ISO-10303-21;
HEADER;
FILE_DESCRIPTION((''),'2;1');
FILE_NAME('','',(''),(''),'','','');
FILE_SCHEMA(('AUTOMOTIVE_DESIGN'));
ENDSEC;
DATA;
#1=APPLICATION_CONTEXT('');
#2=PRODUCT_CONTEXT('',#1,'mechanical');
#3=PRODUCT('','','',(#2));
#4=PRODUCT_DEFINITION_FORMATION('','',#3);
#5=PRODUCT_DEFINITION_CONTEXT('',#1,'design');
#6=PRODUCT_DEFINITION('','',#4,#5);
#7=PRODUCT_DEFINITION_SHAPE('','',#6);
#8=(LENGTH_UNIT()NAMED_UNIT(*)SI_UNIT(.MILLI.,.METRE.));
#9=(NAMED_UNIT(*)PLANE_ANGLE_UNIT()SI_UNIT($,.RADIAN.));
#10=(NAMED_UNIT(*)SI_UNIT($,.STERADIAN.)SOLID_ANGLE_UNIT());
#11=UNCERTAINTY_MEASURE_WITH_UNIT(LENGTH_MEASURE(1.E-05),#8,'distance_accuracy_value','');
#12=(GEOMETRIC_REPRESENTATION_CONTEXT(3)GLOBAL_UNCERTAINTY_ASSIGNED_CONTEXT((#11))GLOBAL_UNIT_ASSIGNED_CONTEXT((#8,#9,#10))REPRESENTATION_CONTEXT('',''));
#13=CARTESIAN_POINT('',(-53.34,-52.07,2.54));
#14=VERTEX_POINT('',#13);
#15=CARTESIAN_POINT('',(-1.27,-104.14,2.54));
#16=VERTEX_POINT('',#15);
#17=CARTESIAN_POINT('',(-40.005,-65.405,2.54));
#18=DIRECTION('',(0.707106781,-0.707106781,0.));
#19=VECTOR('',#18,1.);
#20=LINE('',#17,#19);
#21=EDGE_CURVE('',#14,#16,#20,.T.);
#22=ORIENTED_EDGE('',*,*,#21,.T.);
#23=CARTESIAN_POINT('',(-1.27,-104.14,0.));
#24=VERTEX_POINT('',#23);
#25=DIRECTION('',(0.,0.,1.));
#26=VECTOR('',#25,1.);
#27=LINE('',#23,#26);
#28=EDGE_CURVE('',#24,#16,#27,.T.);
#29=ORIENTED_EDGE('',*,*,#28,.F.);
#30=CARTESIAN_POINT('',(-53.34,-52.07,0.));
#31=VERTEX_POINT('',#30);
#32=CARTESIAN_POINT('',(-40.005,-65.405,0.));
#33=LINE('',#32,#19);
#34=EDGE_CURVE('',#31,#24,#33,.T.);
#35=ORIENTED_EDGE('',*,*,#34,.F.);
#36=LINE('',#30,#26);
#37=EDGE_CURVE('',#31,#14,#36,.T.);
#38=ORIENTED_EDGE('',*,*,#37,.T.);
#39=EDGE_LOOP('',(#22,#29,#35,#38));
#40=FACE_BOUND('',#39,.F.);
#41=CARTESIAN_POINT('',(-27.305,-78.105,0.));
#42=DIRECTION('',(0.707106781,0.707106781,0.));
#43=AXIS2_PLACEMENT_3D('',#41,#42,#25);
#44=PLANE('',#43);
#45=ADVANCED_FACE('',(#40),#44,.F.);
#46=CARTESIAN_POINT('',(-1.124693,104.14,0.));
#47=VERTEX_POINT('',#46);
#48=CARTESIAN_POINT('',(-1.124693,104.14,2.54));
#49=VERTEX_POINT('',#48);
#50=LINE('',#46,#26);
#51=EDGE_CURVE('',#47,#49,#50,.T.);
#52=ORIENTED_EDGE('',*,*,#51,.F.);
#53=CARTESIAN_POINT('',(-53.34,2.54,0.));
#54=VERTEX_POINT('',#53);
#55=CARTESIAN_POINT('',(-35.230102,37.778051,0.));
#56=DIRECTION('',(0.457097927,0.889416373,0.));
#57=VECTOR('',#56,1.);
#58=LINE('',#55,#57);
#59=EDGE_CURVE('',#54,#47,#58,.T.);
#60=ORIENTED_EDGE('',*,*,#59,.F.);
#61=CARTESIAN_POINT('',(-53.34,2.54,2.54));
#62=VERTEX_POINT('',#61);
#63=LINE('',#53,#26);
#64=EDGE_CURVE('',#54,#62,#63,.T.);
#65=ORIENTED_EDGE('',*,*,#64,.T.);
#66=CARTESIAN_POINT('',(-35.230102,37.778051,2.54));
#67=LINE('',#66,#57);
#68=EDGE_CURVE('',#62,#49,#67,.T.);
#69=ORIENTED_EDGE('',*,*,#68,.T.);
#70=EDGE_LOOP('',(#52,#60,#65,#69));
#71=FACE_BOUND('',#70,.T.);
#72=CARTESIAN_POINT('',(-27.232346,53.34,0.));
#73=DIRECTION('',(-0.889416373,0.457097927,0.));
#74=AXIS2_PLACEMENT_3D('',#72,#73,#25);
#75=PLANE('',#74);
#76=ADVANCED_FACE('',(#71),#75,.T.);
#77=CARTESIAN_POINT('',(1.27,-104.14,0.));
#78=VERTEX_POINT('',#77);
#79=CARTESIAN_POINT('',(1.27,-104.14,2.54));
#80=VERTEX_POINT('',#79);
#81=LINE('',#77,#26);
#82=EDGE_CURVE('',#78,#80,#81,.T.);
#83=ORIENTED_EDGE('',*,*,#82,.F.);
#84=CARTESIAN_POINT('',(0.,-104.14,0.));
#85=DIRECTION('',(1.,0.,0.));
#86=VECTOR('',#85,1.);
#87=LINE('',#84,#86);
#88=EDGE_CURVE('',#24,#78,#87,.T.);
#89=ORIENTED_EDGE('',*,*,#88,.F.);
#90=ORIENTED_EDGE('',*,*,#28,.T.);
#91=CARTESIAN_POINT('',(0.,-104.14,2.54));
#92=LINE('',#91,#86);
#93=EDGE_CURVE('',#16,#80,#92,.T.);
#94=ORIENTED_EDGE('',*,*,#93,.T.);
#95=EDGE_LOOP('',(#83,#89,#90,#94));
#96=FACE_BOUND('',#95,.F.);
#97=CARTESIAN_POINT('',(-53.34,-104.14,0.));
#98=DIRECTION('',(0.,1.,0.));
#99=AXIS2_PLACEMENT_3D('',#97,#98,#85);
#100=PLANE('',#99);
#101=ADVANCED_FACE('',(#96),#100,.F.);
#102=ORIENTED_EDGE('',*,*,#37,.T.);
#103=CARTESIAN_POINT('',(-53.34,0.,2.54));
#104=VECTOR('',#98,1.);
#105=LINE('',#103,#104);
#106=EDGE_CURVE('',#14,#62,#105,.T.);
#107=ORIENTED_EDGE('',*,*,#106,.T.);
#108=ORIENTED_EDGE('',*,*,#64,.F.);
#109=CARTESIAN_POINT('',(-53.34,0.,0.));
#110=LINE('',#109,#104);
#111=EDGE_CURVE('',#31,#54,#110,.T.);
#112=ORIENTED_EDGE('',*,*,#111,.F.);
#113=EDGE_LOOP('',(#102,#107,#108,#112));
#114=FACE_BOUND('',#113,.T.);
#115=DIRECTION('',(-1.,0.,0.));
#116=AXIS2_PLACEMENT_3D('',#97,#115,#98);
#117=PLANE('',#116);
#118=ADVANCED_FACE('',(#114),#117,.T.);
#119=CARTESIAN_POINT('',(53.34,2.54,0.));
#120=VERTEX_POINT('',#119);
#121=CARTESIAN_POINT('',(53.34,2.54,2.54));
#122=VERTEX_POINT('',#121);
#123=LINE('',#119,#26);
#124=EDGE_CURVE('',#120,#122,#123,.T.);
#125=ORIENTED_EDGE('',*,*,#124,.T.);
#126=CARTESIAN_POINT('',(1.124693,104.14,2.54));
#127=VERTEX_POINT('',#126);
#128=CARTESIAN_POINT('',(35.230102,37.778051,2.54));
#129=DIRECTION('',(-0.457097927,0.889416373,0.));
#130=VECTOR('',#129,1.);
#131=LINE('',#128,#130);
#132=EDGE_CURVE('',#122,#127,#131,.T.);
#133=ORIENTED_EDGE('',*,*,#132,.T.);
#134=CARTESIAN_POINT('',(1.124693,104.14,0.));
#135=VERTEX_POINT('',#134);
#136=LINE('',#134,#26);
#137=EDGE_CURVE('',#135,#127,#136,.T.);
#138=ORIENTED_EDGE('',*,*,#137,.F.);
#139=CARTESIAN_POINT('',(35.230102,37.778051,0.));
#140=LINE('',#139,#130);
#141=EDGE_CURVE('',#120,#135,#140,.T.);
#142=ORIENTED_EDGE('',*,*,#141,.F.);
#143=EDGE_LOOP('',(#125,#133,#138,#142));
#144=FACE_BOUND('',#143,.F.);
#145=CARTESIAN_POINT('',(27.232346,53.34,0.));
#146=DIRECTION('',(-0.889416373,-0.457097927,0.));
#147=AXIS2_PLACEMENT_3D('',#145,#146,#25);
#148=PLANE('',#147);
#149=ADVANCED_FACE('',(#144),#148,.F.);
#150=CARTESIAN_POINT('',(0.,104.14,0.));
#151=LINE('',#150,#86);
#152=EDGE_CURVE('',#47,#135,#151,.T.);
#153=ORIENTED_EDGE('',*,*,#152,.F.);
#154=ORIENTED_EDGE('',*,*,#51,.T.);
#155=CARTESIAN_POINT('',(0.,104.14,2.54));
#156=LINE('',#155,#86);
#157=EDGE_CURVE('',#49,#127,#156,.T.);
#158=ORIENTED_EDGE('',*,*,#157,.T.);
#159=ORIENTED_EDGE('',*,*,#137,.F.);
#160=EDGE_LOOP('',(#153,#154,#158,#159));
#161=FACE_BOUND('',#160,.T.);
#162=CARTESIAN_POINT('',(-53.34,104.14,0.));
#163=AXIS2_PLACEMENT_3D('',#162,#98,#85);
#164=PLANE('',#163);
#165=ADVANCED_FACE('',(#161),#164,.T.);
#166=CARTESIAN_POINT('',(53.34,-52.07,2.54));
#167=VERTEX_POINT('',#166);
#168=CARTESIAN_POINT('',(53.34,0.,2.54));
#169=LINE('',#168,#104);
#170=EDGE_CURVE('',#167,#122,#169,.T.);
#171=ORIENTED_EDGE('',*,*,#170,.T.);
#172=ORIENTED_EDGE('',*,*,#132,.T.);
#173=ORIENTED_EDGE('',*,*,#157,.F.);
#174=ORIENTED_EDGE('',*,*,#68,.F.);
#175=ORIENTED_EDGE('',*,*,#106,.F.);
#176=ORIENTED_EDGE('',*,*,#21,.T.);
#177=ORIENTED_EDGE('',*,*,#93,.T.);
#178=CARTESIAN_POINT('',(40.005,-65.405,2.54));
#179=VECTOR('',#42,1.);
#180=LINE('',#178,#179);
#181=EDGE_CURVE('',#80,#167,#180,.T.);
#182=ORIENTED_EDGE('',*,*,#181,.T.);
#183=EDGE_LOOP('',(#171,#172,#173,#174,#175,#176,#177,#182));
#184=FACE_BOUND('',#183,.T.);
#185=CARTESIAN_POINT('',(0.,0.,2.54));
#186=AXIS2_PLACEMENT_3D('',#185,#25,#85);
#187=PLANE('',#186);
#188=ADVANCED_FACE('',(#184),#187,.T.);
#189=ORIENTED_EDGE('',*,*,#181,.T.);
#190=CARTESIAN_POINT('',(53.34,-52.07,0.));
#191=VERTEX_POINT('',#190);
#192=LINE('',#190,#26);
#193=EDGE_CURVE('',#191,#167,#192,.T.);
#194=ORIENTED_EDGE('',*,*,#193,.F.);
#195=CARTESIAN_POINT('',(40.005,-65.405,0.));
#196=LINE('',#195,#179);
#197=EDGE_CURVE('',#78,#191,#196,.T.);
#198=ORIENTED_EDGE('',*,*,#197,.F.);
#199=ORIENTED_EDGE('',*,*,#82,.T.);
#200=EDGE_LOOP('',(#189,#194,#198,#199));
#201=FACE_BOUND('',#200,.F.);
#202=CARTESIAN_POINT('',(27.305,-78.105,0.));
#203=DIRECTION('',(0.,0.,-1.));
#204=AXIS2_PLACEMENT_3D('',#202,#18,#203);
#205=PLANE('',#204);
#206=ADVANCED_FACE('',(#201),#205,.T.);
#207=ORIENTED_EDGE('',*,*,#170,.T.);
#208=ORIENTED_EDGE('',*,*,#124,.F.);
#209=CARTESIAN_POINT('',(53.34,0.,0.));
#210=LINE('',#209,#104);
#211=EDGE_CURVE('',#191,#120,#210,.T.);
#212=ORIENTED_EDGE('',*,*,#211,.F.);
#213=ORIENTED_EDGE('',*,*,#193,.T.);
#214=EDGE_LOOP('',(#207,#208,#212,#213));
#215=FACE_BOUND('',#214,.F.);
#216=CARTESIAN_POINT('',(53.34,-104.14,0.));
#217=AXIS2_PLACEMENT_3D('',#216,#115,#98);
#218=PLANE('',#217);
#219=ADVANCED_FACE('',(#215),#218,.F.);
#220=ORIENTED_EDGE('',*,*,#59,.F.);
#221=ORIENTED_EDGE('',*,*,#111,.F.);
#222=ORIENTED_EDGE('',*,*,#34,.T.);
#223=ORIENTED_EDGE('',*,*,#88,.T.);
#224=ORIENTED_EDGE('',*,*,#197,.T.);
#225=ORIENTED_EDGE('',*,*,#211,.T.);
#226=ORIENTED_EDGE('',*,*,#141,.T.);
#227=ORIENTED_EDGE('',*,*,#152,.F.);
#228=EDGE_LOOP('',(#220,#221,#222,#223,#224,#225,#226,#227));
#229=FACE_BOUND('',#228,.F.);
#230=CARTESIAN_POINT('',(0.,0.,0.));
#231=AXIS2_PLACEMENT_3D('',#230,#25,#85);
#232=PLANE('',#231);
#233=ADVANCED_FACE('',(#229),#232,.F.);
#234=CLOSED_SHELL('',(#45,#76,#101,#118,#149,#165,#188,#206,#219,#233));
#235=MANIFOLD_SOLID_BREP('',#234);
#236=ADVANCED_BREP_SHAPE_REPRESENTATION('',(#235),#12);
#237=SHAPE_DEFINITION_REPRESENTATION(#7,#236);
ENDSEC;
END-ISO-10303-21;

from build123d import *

# Parameters (mm, degrees)
F0_W       = 106.68
F0_H       = 208.28
F1_DEPTH   = 2.54
F2_SIZE    = 52.07
F3_SIZE2   = 52.2153074575
F3_SIZE    = 101.6
F3_2_SIZE2 = 52.2153074575
F3_2_SIZE  = 101.6


with BuildPart() as f1:
    # F0 (on Top) → F1 (new body)
    with BuildSketch(Plane.XY):
        Rectangle(F0_W, F0_H)
    extrude(amount=F1_DEPTH)

    # F2
    f2_edges = [f1.edges().sort_by_distance(p)[0] for p in [
        (-53.34, -104.14, 1.27),
        (53.34, -104.14, 1.27),
    ]]
    chamfer(f2_edges, length=F2_SIZE)

    # F3
    f3_edges = [f1.edges().sort_by_distance(p)[0] for p in [
        (-53.34, 104.14, 1.27),
    ]]
    f3_side = f1.faces().sort_by_distance((-53.34, 26.035, 1.27))[0]
    chamfer(f3_edges, length=F3_SIZE, length2=F3_SIZE2, reference=f3_side)

    # F3#2
    f3_2_edges = [f1.edges().sort_by_distance(p)[0] for p in [
        (53.34, 104.14, 1.27),
    ]]
    f3_2_side = f1.faces().sort_by_distance((53.34, 26.035, 1.27))[0]
    chamfer(f3_2_edges, length=F3_2_SIZE, length2=F3_2_SIZE2, reference=f3_2_side)


solid = f1.part
